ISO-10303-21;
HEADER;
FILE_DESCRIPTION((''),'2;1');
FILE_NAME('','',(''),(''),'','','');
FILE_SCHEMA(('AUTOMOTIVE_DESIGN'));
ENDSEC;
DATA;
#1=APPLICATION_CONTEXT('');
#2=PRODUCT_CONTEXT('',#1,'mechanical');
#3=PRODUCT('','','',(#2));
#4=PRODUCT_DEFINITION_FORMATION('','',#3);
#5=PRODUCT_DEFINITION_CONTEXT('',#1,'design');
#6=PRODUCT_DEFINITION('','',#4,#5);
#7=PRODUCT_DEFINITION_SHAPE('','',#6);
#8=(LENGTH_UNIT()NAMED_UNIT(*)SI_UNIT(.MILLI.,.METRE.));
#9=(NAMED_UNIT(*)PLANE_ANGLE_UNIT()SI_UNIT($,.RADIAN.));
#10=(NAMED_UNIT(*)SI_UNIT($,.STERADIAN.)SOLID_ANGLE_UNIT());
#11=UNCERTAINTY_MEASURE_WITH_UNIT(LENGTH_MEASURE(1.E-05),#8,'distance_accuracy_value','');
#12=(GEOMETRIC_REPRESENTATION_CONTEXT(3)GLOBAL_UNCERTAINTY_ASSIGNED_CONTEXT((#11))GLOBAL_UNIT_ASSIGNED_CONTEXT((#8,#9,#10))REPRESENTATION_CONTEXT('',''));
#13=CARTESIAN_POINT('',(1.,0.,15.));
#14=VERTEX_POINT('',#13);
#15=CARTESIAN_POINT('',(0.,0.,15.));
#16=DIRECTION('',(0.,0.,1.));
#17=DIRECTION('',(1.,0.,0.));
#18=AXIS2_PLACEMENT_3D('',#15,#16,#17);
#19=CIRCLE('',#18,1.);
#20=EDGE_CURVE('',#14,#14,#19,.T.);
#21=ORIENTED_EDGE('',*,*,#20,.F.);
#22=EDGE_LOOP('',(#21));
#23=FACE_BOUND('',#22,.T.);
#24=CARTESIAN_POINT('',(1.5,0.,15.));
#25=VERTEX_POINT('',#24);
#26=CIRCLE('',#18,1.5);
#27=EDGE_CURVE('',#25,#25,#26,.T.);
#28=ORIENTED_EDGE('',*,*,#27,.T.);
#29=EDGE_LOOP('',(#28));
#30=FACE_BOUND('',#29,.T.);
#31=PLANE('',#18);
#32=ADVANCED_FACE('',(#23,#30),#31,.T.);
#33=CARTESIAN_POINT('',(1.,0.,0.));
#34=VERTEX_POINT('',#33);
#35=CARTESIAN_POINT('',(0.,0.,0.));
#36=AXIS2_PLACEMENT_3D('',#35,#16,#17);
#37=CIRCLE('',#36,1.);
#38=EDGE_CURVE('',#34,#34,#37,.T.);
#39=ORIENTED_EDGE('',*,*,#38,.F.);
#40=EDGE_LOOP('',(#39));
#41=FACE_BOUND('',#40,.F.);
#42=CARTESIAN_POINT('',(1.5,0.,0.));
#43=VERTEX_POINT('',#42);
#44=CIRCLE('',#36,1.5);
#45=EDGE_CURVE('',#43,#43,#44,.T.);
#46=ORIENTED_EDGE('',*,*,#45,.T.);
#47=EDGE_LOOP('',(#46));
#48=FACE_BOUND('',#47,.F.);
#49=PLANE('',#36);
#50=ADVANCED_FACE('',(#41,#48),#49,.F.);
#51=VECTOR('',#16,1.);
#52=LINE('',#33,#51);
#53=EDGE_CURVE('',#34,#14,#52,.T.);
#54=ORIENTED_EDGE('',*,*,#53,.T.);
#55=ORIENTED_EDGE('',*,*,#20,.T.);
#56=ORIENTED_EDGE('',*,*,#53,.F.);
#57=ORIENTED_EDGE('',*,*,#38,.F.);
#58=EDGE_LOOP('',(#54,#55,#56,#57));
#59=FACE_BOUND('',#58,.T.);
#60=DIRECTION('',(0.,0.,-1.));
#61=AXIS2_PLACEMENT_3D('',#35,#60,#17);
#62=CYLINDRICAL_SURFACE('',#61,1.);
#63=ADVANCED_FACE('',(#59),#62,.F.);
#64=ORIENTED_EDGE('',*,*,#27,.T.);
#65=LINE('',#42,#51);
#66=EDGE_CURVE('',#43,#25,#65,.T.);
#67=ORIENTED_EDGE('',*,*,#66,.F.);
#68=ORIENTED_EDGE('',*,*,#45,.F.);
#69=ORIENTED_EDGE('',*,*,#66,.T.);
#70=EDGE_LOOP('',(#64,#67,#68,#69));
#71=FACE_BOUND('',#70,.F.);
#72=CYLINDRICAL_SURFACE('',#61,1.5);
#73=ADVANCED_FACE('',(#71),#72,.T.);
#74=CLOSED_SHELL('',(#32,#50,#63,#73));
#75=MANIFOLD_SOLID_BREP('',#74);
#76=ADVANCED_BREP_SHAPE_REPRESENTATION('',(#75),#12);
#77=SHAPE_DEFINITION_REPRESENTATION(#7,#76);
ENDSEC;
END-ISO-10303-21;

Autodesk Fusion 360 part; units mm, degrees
sketch "草图1" plane through (0, 0, 0) normal (0, 0, 1) x (1, 0, 0)
  circle A0 centre (0, 0) radius 1.5
  circle A1 centre (0, 0) radius 1
  dimension "d1" = 3
  dimension "d2" = 2
extrude "拉伸1" add sketch "草图1" along normal blind 15
